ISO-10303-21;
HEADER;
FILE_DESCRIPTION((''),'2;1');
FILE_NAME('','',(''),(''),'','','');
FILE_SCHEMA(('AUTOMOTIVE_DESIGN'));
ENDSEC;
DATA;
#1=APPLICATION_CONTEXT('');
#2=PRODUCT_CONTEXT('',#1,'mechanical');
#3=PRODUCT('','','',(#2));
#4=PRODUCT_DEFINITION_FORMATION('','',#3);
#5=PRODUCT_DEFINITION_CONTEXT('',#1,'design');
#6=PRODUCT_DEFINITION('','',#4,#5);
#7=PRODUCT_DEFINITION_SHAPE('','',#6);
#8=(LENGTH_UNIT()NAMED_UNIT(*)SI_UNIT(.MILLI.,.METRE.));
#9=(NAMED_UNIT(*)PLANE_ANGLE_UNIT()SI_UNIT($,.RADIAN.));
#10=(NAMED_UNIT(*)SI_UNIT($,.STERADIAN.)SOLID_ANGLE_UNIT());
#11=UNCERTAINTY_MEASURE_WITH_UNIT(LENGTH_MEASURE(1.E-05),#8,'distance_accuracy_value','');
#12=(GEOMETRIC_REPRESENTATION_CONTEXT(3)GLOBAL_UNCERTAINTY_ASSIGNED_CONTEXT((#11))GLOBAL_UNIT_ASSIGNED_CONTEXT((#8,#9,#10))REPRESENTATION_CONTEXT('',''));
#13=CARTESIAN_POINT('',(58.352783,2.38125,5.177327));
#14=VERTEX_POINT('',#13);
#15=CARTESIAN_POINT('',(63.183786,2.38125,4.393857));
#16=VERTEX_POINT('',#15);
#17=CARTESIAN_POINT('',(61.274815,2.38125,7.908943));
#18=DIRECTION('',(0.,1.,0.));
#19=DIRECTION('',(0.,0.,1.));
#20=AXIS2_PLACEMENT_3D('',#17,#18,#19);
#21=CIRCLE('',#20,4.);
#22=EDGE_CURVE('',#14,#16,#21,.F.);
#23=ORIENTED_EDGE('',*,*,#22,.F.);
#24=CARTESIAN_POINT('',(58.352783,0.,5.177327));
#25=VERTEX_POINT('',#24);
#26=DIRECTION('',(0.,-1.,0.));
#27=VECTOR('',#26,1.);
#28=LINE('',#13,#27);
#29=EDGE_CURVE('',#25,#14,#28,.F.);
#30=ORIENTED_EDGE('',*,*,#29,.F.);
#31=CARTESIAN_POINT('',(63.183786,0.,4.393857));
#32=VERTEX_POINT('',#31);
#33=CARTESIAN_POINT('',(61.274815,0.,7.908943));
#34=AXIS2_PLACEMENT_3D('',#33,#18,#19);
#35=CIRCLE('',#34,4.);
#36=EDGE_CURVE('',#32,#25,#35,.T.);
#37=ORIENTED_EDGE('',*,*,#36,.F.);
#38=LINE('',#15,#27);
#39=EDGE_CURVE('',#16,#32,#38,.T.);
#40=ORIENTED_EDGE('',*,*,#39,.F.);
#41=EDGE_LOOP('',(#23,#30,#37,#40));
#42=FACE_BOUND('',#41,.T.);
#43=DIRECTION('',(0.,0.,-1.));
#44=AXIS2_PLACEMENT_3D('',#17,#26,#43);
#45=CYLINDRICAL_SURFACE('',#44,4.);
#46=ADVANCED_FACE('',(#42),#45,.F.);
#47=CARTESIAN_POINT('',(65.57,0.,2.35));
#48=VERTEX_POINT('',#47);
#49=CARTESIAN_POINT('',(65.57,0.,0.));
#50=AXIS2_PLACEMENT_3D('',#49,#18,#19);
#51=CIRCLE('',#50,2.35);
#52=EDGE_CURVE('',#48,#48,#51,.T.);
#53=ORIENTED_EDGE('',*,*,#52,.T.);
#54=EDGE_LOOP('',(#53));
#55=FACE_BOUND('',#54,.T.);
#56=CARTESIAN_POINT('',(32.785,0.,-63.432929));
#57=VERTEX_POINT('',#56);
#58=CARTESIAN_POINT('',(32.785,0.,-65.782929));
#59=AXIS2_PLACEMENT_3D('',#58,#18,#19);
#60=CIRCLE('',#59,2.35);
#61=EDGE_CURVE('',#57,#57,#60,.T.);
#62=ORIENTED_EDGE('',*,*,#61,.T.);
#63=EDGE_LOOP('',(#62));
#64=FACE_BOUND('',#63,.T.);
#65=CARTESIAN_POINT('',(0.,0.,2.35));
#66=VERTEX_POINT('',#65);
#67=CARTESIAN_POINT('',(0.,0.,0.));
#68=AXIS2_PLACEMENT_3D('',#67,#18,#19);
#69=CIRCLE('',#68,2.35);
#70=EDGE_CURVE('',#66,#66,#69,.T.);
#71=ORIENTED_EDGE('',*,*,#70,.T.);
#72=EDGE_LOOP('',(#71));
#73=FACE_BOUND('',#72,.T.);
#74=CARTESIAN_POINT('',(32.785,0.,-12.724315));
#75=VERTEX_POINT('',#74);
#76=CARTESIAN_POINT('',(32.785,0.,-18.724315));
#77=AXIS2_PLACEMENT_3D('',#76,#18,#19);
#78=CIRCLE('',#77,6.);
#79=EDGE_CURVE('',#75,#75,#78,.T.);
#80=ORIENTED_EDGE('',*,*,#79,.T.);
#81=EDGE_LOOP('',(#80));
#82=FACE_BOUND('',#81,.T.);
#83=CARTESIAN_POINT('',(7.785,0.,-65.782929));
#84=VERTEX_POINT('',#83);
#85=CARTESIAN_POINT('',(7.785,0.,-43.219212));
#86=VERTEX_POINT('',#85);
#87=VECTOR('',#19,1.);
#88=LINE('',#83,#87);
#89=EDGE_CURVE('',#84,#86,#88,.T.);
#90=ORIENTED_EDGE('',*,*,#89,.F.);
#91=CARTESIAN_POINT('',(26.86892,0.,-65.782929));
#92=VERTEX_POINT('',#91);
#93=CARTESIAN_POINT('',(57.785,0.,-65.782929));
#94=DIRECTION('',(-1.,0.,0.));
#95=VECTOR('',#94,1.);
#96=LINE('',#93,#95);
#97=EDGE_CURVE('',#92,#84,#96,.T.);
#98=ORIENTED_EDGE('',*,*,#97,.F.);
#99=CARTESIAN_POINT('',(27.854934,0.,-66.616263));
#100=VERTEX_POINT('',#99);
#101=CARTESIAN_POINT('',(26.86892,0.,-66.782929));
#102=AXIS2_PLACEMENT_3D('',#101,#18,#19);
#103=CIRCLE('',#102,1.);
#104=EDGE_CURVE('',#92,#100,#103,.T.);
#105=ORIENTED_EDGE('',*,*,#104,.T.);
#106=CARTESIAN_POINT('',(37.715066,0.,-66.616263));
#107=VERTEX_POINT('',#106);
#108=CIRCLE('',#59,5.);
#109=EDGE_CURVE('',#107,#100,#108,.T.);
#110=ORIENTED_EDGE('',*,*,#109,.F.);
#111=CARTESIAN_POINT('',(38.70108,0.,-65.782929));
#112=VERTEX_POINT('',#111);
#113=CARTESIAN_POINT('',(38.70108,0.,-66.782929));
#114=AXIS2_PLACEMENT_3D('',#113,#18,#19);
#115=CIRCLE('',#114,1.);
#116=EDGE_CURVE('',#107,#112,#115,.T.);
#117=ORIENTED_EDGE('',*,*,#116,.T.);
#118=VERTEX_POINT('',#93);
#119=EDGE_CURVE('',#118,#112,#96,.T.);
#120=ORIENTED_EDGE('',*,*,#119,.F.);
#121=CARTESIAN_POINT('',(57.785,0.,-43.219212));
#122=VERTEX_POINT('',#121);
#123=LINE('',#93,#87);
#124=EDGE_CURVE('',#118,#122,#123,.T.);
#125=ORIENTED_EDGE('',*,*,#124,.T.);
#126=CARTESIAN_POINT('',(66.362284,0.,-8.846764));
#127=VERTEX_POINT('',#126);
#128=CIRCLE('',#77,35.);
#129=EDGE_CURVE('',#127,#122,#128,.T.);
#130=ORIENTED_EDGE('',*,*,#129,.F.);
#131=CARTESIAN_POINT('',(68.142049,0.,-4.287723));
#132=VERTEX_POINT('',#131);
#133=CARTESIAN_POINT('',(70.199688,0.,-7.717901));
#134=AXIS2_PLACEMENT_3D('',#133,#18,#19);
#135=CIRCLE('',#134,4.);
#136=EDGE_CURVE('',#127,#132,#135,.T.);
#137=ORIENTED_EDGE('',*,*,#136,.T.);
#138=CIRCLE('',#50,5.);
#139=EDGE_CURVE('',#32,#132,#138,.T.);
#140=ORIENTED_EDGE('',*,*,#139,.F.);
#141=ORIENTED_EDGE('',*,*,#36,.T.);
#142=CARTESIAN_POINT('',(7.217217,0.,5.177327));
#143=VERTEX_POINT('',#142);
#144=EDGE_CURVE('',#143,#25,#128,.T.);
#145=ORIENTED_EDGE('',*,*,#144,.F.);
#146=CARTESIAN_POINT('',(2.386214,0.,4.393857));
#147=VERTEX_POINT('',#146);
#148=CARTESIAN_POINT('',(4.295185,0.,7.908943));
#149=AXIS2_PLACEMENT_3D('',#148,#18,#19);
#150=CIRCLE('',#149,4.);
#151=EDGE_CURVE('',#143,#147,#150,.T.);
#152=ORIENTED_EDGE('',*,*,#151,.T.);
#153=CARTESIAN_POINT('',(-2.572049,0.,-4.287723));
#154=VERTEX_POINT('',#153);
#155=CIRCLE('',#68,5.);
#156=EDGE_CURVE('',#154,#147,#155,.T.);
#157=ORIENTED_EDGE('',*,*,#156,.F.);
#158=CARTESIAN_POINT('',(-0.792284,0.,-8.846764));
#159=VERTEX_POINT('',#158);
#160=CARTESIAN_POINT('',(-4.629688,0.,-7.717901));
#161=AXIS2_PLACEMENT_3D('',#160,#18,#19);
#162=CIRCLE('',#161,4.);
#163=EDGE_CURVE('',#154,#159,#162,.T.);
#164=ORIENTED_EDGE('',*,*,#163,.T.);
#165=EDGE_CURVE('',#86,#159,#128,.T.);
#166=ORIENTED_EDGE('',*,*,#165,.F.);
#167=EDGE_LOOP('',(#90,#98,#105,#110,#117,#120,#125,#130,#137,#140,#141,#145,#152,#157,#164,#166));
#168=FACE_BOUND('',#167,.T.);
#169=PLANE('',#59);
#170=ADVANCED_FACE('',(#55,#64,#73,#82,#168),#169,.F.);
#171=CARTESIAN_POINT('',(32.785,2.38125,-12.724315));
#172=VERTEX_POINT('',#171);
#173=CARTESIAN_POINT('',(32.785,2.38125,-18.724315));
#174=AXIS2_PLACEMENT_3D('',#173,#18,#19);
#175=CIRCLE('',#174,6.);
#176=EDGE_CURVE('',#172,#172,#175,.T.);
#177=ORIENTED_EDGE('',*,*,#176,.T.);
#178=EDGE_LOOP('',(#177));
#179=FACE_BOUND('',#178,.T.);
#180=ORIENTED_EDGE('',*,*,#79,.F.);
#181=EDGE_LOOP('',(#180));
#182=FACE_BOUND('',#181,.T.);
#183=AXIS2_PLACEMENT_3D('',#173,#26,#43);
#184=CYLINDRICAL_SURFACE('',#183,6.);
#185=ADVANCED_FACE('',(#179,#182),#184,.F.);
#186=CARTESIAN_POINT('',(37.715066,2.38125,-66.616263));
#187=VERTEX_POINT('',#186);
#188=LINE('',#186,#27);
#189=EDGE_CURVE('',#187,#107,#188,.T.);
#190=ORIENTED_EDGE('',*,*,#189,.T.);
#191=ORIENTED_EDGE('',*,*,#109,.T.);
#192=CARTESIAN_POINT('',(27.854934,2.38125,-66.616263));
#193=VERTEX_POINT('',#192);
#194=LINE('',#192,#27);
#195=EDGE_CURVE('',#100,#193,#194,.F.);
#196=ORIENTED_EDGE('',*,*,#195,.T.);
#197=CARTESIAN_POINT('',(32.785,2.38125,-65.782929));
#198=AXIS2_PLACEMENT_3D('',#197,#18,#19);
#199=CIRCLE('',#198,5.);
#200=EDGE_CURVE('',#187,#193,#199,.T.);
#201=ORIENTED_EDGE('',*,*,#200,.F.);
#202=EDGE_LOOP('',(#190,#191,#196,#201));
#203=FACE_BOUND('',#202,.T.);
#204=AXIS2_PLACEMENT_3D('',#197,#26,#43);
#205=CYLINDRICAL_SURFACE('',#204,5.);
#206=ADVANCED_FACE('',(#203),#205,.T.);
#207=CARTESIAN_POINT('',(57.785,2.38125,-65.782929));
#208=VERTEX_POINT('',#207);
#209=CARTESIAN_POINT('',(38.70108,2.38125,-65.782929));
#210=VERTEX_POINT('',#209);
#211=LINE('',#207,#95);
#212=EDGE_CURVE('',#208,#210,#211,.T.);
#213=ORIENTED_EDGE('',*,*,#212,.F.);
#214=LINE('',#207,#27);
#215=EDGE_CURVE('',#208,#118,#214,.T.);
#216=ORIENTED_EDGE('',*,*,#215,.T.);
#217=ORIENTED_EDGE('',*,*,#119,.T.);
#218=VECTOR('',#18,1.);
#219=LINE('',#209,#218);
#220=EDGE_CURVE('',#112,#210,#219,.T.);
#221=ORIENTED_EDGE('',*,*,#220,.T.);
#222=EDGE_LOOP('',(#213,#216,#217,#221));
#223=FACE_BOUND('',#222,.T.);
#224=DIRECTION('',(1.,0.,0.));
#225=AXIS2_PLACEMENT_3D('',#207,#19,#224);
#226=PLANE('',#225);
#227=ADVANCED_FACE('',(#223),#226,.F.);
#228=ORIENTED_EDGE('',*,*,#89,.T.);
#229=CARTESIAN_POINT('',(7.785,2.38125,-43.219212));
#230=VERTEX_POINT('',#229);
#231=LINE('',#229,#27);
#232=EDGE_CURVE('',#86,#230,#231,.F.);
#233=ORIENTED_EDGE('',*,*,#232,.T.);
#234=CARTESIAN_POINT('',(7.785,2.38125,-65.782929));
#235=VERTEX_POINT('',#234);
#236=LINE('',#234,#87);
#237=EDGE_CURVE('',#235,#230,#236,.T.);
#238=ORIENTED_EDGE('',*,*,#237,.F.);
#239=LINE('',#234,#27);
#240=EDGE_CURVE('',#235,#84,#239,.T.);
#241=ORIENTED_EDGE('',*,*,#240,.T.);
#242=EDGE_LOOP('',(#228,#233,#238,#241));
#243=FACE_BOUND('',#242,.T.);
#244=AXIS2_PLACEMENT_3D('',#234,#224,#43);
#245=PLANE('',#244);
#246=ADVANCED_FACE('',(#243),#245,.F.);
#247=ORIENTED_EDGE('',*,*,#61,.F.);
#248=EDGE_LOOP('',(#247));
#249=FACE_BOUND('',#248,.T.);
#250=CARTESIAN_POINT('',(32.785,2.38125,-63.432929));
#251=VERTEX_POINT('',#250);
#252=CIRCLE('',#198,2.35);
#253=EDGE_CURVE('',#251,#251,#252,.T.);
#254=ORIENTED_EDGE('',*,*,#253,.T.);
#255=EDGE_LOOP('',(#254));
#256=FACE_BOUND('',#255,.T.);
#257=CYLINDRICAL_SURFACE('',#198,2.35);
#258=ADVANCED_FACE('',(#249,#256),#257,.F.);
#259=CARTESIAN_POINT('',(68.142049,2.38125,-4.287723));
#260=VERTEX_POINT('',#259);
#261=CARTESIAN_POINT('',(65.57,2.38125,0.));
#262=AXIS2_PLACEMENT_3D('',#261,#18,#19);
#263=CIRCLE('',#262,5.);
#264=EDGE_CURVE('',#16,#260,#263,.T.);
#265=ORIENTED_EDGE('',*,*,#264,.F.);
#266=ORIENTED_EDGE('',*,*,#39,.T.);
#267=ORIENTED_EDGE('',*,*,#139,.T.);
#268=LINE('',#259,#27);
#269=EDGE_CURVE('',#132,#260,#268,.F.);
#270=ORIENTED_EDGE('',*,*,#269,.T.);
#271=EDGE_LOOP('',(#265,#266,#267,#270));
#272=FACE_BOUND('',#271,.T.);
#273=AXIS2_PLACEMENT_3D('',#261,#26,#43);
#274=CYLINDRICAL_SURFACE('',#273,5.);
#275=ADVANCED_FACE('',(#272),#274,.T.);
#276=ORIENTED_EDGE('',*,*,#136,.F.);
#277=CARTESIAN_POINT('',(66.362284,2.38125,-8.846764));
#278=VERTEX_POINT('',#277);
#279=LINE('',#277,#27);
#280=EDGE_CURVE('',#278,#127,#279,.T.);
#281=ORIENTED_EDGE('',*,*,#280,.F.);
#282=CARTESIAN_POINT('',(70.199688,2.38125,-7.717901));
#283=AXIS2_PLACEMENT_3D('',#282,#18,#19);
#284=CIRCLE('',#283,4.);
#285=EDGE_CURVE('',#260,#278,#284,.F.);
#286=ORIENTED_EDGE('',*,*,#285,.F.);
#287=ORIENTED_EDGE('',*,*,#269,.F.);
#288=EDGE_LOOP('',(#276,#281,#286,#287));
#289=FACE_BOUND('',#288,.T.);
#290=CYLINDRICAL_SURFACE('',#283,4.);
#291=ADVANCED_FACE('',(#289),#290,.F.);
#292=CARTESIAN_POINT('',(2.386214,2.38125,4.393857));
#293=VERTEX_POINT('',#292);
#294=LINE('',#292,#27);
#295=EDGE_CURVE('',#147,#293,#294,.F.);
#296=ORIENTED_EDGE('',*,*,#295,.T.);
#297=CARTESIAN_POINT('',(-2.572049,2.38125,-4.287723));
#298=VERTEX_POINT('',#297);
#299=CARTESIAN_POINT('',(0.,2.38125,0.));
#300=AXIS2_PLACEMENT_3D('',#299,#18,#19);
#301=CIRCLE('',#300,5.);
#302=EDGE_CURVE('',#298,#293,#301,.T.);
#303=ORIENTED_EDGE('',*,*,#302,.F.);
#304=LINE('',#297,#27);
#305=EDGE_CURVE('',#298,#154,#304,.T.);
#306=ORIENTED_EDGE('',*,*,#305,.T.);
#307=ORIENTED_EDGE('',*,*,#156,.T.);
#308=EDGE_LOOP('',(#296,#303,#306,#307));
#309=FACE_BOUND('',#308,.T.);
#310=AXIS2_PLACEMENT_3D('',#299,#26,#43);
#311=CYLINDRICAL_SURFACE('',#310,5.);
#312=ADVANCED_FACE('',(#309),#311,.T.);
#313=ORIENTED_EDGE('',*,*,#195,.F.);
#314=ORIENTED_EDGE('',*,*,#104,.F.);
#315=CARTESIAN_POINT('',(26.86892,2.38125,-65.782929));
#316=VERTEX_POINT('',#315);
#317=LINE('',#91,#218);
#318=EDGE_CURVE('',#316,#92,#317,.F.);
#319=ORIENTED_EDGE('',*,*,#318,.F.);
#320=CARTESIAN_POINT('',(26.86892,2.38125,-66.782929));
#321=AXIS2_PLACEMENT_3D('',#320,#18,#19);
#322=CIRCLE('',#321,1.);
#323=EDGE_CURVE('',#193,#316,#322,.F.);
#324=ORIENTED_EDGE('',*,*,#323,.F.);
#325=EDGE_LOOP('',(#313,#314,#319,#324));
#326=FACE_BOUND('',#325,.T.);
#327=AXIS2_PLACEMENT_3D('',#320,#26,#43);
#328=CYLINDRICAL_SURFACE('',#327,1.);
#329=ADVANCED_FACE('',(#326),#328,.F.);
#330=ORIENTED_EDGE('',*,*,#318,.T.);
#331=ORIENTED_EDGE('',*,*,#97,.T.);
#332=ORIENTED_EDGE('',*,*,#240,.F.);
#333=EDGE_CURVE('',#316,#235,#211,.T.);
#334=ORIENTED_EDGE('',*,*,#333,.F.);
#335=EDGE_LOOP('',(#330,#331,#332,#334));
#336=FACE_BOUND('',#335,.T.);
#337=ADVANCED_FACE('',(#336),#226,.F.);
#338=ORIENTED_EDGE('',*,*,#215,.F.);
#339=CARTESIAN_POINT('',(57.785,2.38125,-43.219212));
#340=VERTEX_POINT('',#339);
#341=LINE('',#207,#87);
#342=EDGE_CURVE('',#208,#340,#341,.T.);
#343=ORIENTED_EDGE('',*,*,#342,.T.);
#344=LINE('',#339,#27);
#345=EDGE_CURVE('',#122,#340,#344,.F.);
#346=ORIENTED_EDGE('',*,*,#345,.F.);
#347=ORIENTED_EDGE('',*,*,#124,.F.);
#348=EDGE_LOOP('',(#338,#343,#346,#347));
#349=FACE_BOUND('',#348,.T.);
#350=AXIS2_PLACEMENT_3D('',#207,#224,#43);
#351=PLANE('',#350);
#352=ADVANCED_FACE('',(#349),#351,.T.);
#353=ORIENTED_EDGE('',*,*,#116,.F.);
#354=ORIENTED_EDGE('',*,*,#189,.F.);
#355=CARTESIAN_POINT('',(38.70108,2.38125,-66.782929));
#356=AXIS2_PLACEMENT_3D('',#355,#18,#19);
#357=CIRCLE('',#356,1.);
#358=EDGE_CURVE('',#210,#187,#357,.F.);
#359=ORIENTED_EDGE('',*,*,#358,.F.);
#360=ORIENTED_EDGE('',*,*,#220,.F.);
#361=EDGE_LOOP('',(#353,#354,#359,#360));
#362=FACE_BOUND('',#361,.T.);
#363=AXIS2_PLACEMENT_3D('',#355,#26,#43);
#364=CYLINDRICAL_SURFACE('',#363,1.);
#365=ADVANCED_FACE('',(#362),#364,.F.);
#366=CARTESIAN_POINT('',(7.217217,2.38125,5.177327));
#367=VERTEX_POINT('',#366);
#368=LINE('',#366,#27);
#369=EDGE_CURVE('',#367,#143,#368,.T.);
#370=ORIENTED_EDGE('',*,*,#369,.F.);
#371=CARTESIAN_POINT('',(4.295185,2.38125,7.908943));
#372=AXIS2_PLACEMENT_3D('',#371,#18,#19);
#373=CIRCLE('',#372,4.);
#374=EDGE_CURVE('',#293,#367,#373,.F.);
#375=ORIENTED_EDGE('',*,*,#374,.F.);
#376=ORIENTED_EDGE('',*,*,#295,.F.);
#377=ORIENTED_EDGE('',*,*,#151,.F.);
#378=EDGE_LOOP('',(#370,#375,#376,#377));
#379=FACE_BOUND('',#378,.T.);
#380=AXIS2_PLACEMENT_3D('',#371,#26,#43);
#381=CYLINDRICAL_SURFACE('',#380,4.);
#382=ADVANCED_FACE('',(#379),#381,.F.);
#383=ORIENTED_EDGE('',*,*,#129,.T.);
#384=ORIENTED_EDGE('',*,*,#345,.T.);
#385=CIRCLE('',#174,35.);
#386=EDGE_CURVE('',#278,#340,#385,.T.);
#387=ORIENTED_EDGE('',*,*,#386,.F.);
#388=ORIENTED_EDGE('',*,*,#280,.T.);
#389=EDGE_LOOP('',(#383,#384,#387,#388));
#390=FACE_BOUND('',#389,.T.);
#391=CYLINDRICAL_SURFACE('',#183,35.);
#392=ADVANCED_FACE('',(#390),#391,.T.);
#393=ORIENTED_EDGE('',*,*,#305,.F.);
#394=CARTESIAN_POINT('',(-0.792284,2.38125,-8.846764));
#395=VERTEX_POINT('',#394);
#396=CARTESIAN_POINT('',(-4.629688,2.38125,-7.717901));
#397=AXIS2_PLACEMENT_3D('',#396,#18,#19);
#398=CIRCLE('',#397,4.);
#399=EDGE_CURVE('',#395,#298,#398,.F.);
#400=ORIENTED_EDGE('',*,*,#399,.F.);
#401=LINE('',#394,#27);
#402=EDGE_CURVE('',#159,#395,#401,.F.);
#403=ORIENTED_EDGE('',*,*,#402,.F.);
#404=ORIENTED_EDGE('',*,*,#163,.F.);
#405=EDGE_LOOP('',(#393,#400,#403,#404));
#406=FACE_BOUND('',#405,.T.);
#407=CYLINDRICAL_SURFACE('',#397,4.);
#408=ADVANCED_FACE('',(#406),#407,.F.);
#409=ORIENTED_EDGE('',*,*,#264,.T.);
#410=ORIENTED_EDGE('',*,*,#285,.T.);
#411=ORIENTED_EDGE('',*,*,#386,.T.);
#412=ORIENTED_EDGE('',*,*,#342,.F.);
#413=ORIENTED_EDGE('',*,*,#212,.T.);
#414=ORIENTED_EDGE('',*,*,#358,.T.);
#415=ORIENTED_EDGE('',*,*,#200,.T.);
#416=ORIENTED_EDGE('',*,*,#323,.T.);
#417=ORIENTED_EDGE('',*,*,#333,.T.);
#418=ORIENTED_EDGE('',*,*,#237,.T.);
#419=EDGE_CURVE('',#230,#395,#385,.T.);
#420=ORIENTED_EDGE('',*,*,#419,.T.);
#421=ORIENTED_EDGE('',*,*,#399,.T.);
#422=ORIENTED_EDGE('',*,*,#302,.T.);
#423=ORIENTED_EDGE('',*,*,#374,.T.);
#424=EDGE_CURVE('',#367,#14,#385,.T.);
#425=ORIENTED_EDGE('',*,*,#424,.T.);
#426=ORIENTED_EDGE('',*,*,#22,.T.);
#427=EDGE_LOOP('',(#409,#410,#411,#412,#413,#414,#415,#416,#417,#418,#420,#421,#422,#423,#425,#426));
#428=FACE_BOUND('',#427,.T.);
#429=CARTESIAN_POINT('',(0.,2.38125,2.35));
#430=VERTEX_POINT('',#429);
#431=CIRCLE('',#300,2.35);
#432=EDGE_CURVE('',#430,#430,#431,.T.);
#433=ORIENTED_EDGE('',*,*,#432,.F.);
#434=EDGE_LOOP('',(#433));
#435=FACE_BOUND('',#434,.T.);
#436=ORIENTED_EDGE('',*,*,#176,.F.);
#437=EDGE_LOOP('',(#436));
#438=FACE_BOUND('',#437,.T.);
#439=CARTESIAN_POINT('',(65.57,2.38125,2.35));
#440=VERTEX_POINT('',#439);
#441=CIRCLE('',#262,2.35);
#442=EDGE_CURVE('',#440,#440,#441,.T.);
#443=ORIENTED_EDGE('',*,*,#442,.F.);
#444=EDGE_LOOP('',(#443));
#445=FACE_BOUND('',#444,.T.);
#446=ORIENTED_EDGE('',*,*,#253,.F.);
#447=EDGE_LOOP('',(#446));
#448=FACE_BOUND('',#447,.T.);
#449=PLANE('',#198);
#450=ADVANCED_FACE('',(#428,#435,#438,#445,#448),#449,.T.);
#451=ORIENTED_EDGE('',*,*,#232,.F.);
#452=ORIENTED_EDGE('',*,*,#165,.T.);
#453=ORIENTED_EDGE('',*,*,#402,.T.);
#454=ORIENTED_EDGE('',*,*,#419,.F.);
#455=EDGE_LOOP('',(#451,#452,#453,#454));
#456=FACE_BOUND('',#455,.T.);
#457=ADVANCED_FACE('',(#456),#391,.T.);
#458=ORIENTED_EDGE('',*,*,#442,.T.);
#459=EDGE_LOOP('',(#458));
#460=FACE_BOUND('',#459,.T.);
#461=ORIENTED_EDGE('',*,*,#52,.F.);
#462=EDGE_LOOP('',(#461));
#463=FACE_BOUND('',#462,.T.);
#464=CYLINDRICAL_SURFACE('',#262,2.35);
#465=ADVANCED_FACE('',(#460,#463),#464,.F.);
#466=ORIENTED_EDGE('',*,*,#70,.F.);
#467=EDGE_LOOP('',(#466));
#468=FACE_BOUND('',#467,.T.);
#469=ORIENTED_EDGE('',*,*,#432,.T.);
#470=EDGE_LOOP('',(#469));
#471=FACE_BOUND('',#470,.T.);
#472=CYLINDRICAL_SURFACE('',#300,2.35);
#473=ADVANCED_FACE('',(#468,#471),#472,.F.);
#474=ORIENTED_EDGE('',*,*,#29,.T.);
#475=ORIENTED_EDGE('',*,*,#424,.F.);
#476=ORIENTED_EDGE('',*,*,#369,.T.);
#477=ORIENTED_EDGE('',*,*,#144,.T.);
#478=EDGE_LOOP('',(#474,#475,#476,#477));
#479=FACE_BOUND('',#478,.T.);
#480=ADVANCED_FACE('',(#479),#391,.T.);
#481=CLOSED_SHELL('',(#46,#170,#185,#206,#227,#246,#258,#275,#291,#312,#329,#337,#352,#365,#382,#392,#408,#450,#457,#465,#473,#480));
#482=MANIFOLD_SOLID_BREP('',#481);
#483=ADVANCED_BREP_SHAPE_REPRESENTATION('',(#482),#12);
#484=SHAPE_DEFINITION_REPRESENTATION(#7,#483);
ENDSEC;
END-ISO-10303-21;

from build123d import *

# Parameters (mm, degrees)
SKETCH1_R                  = 35
SKETCH1_R_2                = 6
SKETCH1_R_3                = 5
SKETCH1_W                  = 50
SKETCH1_H                  = 25
BOSS_EXTRUDE1_DEPTH        = 2.38125
FILLET1_R                  = 4
FILLET2_R                  = 4
FILLET3_R                  = 1
F_4_7_4_7_DIAMETER_HOLE1_D = 4.7


with BuildPart() as part:
    # Sketch1 → Boss-Extrude1 (new body)
    with BuildSketch(Plane(origin=(0, 0, 0), x_dir=(1, 0, 0), z_dir=(0, 1, 0))):
        with Locations((32.785, 18.724314586)):
            Circle(SKETCH1_R)
        with Locations((32.785, 18.724314586)):
            Circle(SKETCH1_R_2, mode=Mode.SUBTRACT)
        with Locations((65.57, 0)):
            Circle(SKETCH1_R_3)
        Circle(SKETCH1_R_3)
        with Locations((32.785, 65.782929207)):
            Circle(SKETCH1_R_3)
        with Locations((32.785, 53.282929207)):
            Rectangle(SKETCH1_W, SKETCH1_H)
    extrude(amount=BOSS_EXTRUDE1_DEPTH)

    # Fillet1
    fillet1_edges = [part.edges().sort_by_distance(p)[0] for p in [
        (64.966328407, 1.190625, -4.963424282),
        (60.988257258, 1.190625, 2.001907453),
    ]]
    fillet(fillet1_edges, radius=FILLET1_R)

    # Fillet2
    fillet2_edges = [part.edges().sort_by_distance(p)[0] for p in [
        (0.603671593, 1.190625, -4.963424282),
        (4.581742742, 1.190625, 2.001907453),
    ]]
    fillet(fillet2_edges, radius=FILLET2_R)

    # Fillet3
    fillet3_edges = [part.edges().sort_by_distance(p)[0] for p in [
        (37.785, 1.190625, -65.782929207),
        (27.785, 1.190625, -65.782929207),
    ]]
    fillet(fillet3_edges, radius=FILLET3_R)

    # Ø4.7 (4.7) Diameter Hole1 (through all)
    with Locations(Plane(origin=(0, 2.38125, 0), x_dir=(1, 0, 0), z_dir=(0, 1, 0))):
        with Locations((32.785, 65.782929207), (0, 0), (65.57, 0)):
            Hole(F_4_7_4_7_DIAMETER_HOLE1_D / 2)


solid = part.part
